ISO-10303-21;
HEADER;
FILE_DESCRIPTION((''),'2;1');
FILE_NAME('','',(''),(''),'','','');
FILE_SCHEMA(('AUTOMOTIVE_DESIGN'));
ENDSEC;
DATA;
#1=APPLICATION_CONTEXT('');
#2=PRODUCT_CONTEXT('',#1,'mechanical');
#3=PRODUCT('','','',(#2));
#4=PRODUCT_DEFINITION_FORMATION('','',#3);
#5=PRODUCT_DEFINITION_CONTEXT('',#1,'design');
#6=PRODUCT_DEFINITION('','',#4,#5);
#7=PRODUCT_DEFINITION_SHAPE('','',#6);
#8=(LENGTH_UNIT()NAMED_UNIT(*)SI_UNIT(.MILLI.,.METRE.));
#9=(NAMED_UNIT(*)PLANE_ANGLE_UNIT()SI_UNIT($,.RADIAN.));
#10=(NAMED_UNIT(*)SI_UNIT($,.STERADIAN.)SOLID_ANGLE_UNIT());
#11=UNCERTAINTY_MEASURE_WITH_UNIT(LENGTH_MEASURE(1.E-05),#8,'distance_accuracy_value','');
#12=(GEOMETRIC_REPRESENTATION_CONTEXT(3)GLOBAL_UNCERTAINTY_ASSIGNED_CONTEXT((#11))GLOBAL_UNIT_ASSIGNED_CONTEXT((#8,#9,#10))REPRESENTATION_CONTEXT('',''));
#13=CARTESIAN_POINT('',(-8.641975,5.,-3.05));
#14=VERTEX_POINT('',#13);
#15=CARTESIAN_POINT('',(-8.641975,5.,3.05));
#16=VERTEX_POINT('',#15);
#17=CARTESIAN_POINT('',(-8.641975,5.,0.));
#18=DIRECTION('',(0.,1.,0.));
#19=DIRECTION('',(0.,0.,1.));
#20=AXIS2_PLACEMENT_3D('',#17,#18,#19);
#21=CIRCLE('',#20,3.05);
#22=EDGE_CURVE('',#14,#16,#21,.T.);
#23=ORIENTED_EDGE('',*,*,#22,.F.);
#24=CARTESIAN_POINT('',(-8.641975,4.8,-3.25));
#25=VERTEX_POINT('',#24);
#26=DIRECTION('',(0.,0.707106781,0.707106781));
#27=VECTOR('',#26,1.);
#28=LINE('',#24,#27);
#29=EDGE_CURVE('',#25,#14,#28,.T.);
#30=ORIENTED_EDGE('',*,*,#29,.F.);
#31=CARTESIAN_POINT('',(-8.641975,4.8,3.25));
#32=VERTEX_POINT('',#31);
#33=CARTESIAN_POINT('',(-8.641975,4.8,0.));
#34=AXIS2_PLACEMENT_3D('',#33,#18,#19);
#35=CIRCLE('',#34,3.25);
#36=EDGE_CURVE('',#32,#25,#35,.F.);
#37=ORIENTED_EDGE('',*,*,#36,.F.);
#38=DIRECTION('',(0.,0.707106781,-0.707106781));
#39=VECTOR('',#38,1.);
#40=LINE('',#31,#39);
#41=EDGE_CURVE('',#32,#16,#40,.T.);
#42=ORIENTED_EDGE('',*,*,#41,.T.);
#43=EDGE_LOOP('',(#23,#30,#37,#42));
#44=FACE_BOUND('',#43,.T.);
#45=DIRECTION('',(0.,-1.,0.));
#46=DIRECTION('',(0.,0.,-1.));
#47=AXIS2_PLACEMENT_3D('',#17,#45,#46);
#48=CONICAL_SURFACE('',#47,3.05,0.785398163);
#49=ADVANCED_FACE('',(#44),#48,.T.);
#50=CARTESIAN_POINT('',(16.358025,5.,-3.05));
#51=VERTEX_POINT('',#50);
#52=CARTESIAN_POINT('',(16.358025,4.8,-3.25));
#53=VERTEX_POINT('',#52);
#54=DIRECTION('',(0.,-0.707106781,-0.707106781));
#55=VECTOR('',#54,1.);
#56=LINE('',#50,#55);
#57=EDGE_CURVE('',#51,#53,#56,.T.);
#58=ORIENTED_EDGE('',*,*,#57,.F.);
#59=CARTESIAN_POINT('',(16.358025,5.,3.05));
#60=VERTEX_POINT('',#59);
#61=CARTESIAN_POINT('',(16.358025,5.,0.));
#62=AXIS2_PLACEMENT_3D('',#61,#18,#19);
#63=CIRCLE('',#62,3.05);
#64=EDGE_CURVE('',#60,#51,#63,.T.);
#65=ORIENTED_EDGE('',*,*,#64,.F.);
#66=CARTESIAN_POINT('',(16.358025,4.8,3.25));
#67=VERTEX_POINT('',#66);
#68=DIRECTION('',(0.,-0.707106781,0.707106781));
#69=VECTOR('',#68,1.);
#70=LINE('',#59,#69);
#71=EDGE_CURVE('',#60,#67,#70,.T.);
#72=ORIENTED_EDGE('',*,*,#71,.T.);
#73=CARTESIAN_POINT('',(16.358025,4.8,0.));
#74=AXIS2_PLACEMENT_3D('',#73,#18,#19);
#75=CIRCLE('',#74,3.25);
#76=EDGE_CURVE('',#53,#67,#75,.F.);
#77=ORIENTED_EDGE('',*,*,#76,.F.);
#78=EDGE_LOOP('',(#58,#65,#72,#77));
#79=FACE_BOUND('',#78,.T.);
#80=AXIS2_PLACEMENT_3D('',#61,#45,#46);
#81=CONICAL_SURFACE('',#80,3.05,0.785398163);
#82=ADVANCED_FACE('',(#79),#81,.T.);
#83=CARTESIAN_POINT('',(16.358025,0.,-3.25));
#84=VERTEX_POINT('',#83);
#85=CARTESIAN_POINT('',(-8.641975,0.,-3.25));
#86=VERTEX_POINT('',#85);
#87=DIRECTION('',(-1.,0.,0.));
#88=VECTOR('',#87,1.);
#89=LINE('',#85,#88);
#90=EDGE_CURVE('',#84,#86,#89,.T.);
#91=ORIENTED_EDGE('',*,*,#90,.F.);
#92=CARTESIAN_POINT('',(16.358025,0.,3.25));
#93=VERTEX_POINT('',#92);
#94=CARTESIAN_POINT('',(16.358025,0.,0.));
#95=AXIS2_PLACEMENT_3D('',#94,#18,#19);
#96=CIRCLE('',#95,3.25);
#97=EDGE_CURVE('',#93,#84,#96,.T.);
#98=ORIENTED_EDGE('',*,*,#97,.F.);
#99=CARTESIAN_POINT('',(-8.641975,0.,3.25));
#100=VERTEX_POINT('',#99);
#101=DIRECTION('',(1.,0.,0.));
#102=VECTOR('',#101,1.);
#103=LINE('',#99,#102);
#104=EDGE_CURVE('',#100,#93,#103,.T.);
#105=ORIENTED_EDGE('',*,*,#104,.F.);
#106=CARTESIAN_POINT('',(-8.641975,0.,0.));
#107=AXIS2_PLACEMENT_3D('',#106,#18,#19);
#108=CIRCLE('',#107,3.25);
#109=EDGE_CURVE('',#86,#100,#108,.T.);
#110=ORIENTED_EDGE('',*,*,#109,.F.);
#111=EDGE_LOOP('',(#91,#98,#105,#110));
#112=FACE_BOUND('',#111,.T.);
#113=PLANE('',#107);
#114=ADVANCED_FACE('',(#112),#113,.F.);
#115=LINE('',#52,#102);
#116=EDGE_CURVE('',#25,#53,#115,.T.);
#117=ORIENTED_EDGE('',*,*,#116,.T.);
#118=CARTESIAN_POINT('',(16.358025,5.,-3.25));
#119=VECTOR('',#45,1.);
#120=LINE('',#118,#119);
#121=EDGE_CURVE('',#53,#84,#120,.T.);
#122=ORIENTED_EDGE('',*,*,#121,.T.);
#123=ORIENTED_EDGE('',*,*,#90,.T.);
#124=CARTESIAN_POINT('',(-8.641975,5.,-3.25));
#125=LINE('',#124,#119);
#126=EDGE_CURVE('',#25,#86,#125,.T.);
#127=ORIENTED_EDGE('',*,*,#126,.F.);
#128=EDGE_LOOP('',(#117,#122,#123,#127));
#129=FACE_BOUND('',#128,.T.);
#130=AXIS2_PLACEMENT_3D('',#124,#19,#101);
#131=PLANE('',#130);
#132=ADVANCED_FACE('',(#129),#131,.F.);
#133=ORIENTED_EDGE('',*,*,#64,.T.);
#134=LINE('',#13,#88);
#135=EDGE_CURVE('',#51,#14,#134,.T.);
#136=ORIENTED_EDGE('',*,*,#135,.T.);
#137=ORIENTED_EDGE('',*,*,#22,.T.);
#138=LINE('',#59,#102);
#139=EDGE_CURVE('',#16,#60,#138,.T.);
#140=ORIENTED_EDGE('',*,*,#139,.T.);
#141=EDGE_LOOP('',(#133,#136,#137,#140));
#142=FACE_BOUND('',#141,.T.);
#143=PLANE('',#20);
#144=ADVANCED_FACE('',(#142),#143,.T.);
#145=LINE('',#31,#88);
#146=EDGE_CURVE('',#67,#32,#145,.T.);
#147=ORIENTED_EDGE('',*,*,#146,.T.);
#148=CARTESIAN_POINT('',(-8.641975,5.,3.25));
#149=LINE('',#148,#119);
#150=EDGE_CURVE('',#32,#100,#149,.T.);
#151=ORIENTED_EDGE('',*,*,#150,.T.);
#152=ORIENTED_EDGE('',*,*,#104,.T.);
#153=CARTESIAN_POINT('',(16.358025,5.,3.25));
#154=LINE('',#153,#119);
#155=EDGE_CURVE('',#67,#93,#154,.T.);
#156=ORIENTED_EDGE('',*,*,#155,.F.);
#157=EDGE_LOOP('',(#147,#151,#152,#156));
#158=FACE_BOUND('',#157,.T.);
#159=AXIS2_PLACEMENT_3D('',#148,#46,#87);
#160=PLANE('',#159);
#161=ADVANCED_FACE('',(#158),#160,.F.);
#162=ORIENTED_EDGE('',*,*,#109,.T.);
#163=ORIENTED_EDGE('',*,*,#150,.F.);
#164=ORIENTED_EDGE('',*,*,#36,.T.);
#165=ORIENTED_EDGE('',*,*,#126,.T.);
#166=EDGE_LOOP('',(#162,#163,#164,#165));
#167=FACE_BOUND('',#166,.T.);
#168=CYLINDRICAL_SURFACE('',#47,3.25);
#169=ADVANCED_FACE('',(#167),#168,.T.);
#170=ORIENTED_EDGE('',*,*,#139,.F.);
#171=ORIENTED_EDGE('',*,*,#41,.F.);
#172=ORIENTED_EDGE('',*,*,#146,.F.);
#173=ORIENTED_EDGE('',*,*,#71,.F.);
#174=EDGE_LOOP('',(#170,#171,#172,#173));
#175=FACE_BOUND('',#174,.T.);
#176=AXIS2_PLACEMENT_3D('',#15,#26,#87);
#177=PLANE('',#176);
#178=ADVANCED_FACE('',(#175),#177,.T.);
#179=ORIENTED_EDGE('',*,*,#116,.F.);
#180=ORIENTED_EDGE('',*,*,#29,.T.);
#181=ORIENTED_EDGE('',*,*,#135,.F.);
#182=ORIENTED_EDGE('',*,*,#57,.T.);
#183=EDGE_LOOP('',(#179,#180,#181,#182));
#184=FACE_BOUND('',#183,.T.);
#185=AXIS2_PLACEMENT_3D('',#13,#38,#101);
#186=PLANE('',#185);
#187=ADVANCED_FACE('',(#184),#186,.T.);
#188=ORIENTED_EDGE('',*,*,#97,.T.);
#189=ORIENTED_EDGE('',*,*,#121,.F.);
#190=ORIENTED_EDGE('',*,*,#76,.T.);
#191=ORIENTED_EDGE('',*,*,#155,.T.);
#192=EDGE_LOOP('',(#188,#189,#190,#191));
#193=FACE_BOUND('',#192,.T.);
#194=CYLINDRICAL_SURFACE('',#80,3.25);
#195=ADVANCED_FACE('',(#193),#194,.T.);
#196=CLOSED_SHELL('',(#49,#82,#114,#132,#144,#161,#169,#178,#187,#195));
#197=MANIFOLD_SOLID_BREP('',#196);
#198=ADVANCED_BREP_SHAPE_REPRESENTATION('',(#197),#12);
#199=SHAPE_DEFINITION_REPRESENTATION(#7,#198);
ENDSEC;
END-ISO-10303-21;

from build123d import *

# Parameters (mm, degrees)
BOSS_EXTRU_1_DEPTH = 5
CHANFREIN1_SIZE    = 0.2


with BuildPart() as part:
    # Esquisse2 → Boss.-Extru.1 (new body)
    with BuildSketch(Plane(origin=(0, 0, 0), x_dir=(1, 0, 0), z_dir=(0, 1, 0))):
        with BuildLine():
            Line((-8.641975309, 3.25), (16.358024691, 3.25))
            ThreePointArc((16.358024691, 3.25), (19.608024691, 0), (16.358024691, -3.25))
            Line((16.358024691, -3.25), (-8.641975309, -3.25))
            ThreePointArc((-8.641975309, -3.25), (-11.891975309, 0), (-8.641975309, 3.25))
        make_face()
    extrude(amount=BOSS_EXTRU_1_DEPTH)

    # Chanfrein1
    chanfrein1_edges = [part.edges().sort_by_distance(p)[0] for p in [
        (19.608024691, 5, 0),
        (3.858024691, 5, -3.25),
        (-11.891975309, 5, 0),
        (3.858024691, 5, 3.25),
    ]]
    chamfer(chanfrein1_edges, length=CHANFREIN1_SIZE)


solid = part.part
